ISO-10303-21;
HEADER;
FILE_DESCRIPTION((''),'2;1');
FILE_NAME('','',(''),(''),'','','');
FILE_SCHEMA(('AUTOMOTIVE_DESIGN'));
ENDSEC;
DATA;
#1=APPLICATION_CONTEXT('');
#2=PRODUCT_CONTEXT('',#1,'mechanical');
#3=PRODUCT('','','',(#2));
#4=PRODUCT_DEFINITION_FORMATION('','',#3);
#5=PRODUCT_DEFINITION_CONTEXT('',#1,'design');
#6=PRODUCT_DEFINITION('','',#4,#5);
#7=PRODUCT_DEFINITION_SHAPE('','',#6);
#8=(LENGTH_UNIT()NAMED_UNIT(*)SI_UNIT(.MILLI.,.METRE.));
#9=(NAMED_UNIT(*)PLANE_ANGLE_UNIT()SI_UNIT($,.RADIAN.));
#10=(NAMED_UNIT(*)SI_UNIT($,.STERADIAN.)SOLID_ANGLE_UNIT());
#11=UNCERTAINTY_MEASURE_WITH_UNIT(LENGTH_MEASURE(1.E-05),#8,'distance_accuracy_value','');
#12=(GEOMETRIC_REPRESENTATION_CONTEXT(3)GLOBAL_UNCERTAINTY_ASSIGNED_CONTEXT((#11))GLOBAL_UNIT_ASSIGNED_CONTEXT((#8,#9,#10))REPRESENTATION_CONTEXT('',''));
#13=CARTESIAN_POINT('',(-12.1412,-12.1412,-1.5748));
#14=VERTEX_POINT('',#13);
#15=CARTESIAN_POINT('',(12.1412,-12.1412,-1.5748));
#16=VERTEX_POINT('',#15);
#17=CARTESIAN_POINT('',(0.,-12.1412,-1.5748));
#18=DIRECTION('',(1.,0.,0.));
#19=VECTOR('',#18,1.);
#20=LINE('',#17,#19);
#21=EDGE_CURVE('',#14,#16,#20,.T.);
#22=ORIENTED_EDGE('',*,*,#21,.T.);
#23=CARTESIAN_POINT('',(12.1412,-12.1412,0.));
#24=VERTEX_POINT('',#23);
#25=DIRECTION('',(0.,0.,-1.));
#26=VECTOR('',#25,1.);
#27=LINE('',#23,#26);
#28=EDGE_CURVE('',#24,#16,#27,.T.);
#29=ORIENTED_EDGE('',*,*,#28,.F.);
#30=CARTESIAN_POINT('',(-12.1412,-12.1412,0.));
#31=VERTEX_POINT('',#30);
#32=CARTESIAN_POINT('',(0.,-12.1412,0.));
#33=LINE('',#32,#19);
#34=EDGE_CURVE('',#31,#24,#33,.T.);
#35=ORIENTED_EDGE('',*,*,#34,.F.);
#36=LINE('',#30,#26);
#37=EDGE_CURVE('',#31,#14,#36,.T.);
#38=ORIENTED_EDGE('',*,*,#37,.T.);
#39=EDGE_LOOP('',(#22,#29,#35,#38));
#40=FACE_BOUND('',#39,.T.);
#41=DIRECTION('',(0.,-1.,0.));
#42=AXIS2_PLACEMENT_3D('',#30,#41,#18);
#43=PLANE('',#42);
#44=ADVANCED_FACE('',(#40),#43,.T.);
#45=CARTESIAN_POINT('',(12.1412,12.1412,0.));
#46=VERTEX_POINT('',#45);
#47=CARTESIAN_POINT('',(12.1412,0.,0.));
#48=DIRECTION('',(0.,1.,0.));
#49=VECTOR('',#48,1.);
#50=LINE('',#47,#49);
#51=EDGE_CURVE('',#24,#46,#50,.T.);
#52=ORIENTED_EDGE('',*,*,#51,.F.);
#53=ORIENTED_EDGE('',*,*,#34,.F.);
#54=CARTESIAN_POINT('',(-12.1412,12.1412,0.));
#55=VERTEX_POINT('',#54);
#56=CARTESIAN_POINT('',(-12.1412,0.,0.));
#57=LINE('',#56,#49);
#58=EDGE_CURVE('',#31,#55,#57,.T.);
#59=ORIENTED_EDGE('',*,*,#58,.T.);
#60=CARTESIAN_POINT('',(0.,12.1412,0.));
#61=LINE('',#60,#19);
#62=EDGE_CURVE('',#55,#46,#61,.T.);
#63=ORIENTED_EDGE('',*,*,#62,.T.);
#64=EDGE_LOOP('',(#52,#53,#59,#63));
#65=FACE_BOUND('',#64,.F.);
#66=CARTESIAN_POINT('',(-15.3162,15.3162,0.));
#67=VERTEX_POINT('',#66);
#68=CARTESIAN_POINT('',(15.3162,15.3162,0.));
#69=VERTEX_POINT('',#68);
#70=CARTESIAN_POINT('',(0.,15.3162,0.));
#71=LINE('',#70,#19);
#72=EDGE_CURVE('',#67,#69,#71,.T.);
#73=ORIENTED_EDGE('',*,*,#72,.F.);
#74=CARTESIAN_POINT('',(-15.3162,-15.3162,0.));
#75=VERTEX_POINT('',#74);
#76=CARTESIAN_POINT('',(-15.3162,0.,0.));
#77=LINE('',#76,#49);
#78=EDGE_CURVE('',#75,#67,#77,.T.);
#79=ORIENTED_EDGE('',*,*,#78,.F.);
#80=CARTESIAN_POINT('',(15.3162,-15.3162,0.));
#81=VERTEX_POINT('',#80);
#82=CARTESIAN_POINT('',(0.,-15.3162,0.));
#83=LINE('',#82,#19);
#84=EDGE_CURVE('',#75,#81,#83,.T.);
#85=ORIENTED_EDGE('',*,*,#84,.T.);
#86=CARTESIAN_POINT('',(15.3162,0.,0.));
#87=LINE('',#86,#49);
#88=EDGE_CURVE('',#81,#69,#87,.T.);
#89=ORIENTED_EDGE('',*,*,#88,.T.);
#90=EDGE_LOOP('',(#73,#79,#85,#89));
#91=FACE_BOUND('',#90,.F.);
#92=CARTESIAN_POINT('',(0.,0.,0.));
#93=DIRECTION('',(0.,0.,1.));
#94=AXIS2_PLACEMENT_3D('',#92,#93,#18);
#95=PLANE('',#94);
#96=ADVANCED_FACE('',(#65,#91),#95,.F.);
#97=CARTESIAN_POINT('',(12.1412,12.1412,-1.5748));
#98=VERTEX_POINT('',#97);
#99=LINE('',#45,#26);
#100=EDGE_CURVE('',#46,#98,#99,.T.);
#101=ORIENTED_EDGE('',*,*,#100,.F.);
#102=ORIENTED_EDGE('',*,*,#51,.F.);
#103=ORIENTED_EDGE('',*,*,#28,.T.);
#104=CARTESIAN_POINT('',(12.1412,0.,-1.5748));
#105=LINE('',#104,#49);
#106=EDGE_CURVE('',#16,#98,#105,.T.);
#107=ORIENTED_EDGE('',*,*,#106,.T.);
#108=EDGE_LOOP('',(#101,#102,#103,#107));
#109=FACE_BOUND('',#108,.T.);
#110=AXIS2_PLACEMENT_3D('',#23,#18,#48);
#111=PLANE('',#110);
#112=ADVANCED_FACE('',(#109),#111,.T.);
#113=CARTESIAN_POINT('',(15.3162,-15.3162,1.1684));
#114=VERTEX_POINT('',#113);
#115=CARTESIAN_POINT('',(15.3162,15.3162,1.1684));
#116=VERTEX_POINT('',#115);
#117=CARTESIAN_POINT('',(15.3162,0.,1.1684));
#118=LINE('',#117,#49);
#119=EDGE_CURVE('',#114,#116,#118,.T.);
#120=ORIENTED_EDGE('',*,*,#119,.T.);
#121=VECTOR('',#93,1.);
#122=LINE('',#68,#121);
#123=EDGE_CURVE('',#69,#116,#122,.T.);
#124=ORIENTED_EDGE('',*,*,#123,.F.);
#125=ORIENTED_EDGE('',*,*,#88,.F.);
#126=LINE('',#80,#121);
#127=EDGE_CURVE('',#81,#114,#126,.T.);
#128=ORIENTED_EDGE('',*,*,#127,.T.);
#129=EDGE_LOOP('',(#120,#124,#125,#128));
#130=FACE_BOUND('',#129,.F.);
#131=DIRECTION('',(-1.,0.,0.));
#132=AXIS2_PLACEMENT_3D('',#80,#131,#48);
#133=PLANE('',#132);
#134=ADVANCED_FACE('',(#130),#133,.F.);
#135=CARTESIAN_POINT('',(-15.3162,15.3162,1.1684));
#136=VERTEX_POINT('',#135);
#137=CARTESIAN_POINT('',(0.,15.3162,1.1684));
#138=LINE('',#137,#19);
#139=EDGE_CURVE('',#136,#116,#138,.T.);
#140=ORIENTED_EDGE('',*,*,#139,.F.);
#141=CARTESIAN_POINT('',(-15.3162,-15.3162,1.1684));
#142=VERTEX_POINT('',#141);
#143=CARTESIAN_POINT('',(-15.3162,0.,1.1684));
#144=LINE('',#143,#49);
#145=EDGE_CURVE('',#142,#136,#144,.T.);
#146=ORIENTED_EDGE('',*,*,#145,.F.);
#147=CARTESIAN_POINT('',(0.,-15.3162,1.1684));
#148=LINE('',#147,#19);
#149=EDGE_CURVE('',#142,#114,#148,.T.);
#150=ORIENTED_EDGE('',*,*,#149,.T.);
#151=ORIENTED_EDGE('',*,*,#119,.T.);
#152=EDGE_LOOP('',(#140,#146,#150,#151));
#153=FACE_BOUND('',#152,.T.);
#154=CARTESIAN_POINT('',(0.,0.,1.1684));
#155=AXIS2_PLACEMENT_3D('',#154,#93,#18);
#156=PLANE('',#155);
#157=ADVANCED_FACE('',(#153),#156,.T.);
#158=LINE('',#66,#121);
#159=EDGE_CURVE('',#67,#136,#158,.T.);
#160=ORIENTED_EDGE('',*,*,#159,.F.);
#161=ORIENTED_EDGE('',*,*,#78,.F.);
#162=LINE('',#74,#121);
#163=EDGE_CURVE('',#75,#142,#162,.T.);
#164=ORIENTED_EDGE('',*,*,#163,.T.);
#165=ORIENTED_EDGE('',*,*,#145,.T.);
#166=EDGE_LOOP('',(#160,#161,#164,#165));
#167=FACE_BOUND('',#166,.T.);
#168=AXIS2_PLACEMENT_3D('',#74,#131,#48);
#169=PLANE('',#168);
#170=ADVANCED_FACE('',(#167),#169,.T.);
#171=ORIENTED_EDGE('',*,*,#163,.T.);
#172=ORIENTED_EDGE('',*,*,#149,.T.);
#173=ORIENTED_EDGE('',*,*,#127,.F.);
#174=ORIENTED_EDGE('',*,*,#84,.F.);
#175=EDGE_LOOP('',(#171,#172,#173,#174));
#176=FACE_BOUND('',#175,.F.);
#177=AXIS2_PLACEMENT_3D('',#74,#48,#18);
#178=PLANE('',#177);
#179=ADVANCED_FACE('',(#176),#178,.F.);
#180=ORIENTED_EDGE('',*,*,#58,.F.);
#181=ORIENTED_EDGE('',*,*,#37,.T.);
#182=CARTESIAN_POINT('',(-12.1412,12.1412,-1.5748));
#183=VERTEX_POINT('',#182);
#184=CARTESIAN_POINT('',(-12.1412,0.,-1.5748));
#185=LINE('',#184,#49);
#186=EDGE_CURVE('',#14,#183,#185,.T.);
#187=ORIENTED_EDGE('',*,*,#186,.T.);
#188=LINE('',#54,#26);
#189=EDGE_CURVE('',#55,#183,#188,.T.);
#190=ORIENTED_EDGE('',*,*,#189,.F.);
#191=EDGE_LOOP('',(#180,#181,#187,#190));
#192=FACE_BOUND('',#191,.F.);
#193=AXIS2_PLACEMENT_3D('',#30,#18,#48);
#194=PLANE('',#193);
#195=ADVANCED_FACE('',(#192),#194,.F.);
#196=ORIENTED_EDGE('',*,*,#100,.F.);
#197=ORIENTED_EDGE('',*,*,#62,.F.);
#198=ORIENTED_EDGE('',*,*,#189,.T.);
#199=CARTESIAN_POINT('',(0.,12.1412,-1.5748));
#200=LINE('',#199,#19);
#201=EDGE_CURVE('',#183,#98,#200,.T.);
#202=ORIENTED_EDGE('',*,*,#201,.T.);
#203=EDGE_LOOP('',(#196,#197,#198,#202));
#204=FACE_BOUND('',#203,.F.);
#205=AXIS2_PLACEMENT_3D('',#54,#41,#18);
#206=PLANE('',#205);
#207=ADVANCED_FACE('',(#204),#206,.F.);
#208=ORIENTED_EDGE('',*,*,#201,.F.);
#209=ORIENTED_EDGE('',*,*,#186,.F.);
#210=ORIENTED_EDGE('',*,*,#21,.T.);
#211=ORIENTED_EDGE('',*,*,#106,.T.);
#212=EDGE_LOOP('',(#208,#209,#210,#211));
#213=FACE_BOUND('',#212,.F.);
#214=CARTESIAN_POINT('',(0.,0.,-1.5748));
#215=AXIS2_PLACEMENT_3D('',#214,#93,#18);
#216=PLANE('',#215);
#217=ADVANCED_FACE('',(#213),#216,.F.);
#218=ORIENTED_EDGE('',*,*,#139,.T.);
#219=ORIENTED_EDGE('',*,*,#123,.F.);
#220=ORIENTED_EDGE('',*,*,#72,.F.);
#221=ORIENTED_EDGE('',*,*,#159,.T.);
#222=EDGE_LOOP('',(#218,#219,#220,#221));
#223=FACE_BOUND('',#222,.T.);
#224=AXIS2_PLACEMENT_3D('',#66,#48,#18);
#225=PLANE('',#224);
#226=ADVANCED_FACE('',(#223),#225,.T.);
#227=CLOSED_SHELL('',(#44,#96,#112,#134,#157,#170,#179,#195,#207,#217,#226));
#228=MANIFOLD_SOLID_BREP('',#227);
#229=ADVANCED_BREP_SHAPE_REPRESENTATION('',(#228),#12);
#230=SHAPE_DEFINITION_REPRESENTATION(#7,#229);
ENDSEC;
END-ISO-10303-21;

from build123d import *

# Parameters (mm, degrees)
F0_W     = 30.6324
F0_H     = 30.6324
F0_W_2   = 24.2824
F0_H_2   = 24.2824
F1_DEPTH = 1.1684
F2_DEPTH = 1.5748


with BuildPart() as f1:
    # F0 (on Top) → F1 (new body)
    with BuildSketch(Plane.XY):
        Rectangle(F0_W, F0_H)
        Rectangle(F0_W_2, F0_H_2, mode=Mode.SUBTRACT)
        Rectangle(F0_W_2, F0_H_2)
    extrude(amount=F1_DEPTH)

    # F0 (on Top) → F2 (join)
    with BuildSketch(Plane.XY):
        Rectangle(F0_W_2, F0_H_2)
    extrude(amount=-F2_DEPTH)


solid = f1.part
